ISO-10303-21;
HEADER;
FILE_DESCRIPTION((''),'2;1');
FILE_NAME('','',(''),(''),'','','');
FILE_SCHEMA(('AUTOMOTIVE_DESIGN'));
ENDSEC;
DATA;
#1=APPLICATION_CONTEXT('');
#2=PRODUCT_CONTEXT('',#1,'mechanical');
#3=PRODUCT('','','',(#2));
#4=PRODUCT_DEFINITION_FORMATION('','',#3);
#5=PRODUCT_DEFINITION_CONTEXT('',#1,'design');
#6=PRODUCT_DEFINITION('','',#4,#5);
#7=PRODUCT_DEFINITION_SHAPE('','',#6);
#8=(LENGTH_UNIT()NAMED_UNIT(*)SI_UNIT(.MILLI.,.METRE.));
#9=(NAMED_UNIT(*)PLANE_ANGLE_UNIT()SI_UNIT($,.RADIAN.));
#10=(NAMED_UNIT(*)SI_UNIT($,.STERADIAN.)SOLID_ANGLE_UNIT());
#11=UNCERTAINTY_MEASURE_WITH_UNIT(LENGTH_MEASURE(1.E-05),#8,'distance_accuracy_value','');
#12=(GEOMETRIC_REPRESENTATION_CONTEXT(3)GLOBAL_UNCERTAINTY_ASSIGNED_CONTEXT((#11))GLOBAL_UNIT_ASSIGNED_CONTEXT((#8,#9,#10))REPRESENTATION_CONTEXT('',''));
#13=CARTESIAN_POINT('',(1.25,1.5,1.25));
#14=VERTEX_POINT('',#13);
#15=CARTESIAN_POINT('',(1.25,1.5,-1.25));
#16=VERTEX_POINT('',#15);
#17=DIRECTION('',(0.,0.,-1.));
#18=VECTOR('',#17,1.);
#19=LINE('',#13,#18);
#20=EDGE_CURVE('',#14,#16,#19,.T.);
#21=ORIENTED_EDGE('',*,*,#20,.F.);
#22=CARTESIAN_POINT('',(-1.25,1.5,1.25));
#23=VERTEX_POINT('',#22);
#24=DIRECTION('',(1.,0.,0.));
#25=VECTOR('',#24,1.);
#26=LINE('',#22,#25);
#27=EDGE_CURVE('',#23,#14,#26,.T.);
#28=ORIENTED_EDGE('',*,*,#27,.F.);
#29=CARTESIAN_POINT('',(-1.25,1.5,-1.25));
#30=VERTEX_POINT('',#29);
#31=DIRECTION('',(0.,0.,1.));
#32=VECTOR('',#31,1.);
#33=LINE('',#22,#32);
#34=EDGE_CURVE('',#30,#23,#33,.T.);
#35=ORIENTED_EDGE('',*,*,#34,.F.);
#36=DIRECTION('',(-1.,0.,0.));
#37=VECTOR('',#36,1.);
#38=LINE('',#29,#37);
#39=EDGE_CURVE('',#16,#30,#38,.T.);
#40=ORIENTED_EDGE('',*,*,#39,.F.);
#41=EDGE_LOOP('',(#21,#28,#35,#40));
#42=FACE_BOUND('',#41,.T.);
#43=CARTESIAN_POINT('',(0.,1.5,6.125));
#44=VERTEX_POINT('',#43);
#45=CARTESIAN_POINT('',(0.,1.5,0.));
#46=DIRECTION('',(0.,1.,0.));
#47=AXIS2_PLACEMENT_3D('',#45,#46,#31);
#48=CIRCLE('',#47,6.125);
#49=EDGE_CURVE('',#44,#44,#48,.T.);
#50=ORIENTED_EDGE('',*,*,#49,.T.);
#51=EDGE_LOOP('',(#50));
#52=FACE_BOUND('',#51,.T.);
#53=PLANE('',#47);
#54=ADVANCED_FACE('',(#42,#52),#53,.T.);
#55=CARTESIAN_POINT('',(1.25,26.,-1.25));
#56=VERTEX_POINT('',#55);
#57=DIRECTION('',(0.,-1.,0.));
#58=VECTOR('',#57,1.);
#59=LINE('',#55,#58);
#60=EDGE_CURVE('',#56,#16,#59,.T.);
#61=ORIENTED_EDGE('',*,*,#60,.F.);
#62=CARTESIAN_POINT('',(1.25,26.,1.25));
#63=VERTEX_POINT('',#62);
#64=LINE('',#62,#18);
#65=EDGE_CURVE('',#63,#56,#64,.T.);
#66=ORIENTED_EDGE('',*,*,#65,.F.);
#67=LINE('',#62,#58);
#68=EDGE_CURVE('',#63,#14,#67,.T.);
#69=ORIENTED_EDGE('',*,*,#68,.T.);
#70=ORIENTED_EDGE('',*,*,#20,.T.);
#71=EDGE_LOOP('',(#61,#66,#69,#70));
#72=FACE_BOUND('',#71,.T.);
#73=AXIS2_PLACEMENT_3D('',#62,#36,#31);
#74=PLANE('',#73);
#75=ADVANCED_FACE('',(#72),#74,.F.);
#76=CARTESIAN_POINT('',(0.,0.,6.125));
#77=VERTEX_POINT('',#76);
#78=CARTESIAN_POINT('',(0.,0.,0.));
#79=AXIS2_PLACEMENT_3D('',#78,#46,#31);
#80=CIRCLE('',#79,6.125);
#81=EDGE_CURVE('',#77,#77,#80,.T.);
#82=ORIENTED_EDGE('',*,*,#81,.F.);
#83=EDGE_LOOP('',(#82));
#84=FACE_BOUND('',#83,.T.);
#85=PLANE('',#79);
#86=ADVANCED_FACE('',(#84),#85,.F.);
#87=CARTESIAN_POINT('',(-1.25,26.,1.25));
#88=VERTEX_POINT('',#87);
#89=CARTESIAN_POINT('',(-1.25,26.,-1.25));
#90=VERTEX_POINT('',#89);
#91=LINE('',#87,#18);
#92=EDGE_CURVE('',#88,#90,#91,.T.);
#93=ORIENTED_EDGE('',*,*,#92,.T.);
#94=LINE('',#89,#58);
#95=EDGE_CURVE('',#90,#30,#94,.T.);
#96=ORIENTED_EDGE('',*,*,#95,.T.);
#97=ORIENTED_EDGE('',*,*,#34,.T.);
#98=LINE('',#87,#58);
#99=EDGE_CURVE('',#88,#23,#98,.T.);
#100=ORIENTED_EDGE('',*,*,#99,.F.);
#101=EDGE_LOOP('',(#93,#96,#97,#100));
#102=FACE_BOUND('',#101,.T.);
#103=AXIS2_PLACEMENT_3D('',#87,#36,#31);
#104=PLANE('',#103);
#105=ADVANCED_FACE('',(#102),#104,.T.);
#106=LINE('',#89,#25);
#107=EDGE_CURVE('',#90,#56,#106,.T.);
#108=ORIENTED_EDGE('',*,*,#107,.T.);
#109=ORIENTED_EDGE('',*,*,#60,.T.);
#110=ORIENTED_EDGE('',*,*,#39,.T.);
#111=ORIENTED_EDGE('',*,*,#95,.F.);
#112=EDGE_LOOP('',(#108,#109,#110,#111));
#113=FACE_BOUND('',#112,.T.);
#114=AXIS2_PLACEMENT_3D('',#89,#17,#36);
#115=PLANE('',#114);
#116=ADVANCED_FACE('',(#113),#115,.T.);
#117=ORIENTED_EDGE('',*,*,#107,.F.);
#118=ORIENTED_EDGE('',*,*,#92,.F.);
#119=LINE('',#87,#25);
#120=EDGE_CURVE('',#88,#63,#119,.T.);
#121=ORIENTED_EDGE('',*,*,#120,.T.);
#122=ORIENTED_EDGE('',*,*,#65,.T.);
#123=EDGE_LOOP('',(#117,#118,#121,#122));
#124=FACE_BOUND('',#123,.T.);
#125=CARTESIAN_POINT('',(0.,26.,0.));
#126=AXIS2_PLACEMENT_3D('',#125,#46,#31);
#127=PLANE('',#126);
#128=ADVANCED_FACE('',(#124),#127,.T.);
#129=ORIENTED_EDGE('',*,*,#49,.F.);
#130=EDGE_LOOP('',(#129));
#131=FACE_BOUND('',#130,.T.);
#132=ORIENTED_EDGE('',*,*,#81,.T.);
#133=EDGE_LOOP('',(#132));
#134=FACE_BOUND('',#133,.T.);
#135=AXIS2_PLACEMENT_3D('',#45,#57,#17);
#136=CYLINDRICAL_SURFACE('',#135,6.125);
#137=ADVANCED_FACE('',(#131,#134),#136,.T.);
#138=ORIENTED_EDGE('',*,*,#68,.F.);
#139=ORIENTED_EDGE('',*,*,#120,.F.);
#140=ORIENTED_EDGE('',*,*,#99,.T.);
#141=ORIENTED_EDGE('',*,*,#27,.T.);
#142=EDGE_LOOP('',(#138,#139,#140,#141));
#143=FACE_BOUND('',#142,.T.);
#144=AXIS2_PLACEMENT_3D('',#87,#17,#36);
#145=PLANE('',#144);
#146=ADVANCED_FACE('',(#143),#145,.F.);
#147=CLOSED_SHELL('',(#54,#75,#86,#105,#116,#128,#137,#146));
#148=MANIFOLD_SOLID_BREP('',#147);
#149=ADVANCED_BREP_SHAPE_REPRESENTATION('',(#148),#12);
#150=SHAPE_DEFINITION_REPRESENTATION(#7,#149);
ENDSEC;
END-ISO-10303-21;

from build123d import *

# Parameters (mm, degrees)
SKETCH1_R           = 6.125
SKETCH1_W           = 2.5
SKETCH1_H           = 2.5
BOSS_EXTRUDE1_DEPTH = 1.5
SKETCH1_2_W         = 2.5
SKETCH1_2_H         = 2.5
BOSS_EXTRUDE2_DEPTH = 26


with BuildPart() as part:
    # Sketch1 → Boss-Extrude1 (new body)
    with BuildSketch(Plane(origin=(0, 0, 0), x_dir=(1, 0, 0), z_dir=(0, 1, 0))):
        Circle(SKETCH1_R)
        Rectangle(SKETCH1_W, SKETCH1_H, mode=Mode.SUBTRACT)
    extrude(amount=BOSS_EXTRUDE1_DEPTH)

    # Sketch1<2> → Boss-Extrude2 (add)
    with BuildSketch(Plane(origin=(0, 0, 0), x_dir=(1, 0, 0), z_dir=(0, 1, 0))):
        Rectangle(SKETCH1_2_W, SKETCH1_2_H)
    extrude(amount=BOSS_EXTRUDE2_DEPTH)


solid = part.part
